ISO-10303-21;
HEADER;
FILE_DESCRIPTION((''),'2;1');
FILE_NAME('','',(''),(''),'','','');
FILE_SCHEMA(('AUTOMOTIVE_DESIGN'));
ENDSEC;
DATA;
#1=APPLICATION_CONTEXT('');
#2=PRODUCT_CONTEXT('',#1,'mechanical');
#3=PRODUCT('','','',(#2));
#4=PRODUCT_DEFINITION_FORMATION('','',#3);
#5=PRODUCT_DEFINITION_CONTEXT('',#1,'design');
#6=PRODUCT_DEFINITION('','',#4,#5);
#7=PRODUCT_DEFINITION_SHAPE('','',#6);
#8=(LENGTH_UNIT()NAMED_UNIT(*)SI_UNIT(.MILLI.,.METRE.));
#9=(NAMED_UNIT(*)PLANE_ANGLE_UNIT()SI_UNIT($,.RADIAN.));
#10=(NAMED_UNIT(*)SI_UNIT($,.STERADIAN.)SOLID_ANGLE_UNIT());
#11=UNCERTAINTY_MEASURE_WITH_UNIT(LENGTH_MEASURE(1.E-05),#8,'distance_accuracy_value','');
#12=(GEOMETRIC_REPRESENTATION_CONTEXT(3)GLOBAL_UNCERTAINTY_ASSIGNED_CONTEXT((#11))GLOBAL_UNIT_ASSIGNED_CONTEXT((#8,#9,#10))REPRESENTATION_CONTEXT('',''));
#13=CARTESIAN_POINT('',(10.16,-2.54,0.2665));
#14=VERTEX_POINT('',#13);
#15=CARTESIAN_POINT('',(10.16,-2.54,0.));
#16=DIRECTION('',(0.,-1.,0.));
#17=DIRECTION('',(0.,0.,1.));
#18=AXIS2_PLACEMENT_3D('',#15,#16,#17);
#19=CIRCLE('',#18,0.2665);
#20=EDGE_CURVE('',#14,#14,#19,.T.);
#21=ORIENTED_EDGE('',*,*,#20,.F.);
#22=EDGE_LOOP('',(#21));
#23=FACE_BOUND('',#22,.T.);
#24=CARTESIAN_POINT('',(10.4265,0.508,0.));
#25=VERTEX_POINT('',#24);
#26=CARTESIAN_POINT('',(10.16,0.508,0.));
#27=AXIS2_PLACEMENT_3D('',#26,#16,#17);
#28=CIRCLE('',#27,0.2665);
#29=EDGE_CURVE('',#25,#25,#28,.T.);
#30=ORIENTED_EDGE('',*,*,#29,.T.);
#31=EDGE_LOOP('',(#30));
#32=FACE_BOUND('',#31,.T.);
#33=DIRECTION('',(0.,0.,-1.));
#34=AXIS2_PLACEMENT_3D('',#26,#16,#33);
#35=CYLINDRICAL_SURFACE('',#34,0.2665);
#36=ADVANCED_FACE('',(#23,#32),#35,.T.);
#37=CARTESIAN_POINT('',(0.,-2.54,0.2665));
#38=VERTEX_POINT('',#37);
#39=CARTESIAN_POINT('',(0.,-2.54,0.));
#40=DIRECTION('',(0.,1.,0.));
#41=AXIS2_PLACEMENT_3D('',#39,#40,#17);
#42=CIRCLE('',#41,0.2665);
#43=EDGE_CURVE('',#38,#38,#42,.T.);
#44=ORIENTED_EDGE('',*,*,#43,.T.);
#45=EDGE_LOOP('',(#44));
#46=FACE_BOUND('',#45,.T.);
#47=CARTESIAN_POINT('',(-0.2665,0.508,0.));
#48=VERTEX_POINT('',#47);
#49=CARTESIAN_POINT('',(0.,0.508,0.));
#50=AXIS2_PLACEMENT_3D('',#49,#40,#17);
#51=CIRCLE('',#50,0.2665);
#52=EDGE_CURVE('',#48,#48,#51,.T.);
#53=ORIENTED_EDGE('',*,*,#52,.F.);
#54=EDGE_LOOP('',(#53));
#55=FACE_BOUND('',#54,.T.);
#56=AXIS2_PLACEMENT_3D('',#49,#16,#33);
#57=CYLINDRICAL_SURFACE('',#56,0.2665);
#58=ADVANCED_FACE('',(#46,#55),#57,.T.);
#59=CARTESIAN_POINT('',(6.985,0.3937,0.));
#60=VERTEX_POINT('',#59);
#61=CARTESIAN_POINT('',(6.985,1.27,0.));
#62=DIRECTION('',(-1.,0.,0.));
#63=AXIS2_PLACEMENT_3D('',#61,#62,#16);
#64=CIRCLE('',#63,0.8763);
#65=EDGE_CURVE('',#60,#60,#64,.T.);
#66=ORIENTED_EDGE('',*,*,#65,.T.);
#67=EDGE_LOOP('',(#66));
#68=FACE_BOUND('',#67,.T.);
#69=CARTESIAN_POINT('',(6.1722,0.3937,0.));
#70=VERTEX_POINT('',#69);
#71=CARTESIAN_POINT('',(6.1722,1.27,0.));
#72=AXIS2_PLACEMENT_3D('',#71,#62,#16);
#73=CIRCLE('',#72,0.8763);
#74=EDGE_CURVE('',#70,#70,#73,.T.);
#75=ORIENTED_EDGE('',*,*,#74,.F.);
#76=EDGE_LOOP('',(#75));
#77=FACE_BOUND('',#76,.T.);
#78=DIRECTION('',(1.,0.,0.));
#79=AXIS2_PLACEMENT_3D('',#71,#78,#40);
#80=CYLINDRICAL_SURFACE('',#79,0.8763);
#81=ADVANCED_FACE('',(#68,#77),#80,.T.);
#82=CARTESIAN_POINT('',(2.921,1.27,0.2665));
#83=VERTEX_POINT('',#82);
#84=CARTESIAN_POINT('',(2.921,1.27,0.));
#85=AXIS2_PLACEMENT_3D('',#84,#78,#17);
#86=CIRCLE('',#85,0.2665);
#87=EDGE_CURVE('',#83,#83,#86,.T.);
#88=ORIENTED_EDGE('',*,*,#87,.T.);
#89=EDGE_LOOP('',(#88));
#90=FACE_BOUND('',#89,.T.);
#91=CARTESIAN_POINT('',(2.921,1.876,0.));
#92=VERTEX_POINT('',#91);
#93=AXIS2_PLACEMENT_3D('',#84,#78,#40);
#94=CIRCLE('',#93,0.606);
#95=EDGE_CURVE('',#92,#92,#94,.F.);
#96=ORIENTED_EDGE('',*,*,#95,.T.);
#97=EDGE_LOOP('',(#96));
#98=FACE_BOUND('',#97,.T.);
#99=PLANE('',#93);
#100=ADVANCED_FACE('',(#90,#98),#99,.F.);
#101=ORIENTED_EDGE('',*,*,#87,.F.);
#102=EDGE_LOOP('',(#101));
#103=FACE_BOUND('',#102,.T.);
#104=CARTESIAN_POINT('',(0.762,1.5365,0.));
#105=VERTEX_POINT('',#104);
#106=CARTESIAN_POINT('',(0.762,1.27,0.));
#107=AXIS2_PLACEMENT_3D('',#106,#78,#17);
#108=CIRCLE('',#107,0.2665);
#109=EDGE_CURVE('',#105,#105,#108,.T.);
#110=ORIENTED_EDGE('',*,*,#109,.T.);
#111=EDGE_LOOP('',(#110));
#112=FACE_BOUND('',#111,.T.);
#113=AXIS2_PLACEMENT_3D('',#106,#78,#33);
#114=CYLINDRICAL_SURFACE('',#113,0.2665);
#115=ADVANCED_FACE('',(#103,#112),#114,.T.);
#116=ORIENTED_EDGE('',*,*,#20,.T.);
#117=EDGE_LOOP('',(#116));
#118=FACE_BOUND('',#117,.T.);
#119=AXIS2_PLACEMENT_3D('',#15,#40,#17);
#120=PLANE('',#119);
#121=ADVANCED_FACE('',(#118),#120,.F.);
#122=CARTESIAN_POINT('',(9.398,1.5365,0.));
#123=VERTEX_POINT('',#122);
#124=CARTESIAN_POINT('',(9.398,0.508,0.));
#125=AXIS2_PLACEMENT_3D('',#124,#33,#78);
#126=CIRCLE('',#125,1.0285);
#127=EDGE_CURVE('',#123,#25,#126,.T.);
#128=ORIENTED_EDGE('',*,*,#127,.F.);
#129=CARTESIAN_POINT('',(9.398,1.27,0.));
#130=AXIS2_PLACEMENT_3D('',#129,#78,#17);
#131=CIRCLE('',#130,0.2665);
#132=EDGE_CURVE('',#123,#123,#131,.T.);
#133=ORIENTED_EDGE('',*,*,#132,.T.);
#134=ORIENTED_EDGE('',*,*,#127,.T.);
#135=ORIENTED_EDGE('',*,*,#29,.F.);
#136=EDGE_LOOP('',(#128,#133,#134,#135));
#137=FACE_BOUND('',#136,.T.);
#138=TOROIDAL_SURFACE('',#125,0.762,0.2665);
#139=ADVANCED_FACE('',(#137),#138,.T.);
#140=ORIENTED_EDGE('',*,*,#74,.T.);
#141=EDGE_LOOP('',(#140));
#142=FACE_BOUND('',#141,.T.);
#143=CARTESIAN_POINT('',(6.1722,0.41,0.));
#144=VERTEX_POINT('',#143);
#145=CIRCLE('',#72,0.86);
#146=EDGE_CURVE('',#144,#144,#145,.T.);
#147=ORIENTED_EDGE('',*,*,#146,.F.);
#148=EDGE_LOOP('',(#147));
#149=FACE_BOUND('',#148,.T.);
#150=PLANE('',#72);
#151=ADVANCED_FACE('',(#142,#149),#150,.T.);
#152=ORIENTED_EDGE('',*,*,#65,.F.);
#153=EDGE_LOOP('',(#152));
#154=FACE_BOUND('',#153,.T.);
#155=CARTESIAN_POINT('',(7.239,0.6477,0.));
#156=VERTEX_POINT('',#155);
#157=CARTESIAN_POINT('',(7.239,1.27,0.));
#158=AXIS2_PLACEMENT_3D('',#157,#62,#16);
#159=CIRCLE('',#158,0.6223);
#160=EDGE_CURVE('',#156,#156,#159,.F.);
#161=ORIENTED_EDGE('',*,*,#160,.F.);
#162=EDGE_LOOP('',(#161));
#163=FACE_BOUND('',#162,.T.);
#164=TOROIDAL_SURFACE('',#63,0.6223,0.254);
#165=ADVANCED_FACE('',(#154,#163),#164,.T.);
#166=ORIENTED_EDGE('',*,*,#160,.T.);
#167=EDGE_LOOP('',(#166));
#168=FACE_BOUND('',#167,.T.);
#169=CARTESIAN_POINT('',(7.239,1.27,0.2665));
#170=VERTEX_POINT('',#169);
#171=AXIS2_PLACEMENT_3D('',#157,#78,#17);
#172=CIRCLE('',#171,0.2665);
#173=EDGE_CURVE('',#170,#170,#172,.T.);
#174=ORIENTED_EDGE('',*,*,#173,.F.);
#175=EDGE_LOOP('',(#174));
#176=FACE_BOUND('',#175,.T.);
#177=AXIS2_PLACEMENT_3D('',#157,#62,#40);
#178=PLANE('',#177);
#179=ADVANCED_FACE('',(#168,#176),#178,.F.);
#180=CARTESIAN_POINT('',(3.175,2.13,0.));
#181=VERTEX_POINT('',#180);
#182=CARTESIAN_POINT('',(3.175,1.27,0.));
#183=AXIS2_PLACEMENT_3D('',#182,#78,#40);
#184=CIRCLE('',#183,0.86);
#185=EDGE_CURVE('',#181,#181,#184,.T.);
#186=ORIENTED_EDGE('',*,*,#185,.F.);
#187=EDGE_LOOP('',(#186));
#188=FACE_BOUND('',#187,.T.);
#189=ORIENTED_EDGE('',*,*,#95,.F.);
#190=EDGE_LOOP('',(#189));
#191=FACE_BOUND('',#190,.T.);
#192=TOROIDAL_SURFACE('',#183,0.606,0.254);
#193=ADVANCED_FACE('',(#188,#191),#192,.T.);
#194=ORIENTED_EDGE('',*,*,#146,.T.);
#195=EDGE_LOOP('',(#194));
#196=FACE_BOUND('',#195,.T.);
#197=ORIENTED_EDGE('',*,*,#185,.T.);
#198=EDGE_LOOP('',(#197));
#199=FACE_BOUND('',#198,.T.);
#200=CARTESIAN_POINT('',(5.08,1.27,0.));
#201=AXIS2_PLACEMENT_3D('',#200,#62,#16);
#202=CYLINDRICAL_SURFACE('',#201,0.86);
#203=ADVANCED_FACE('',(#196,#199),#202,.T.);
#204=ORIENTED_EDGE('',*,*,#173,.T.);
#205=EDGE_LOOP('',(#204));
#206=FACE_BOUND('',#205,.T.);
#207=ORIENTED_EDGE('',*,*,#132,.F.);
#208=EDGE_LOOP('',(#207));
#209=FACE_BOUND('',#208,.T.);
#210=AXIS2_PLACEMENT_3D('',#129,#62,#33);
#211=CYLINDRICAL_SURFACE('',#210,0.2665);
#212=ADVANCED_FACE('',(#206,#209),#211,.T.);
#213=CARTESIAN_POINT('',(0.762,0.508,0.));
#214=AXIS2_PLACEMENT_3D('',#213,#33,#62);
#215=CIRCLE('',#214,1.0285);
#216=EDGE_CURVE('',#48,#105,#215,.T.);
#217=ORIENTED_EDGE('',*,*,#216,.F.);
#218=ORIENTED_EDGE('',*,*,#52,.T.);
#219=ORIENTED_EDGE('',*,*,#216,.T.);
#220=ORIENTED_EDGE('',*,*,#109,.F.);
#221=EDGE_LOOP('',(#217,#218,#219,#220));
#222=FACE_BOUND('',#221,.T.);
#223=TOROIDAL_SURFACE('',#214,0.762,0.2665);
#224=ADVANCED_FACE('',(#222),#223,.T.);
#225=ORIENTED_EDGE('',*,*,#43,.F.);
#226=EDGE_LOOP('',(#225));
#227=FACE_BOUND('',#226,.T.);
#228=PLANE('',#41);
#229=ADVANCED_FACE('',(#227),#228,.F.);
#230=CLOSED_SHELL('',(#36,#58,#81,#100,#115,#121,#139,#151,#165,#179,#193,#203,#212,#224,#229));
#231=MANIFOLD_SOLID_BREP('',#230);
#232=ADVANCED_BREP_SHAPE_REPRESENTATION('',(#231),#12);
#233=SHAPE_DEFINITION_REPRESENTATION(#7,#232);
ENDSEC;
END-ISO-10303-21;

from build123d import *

# Parameters (mm, degrees)
SKETCH3_R           = 0.2665
SKETCH4_R           = 0.86
BOSS_EXTRUDE1_DEPTH = 2.159
SKETCH5_R           = 0.8763
BOSS_EXTRUDE2_DEPTH = 1.0668
FILLET2_R           = 0.254


with BuildPart() as part:
    # Base-Sweep: sweep along a path in Sketch2
    with BuildLine(Plane.XY) as base_sweep_path:
        Line((0, -2.54), (0, 0.508))
        ThreePointArc((0, 0.508), (0.223184633, 1.046815367), (0.762, 1.27))
        Line((0.762, 1.27), (2.921, 1.27))
    # Sketch3 → Base-Sweep (sweep)
    with BuildSketch(Plane(origin=(0, -2.54, 0), x_dir=(-1, 0, 0), z_dir=(0, 1, 0))):
        Circle(SKETCH3_R)
    sweep(path=base_sweep_path.line)

    # Sketch4 → Boss-Extrude1 (add)
    with BuildSketch(Plane(origin=(2.921, 0, 0), x_dir=(0, 0, -1), z_dir=(1, 0, 0))):
        with Locations(Location((0, 1.27, 0), (0, 0, 90))):  # turned: the seam where the file's is
            Circle(SKETCH4_R)
    extrude(amount=BOSS_EXTRUDE1_DEPTH)

    # Boss-Mirror1: part across plane


with BuildPart() as part_1:
    add(part.part)
    add(part.part.mirror(Plane(origin=(5.08, 1.27, 0), x_dir=(0, 0, 1), z_dir=(1, 0, 0))))

    # Sketch5 → Boss-Extrude2 (add)
    with BuildSketch(Plane.ZY.offset(-7.239)):
        with Locations(Location((0, 1.27, 0), (0, 0, 270))):  # turned: the seam where the file's is
            Circle(SKETCH5_R)
    extrude(amount=BOSS_EXTRUDE2_DEPTH)

    # Fillet2
    fillet2_edges = [part_1.edges().sort_by_distance(p)[0] for p in [
        (7.239, 2.1463, 0),
        (2.921, 0.41, 0),
    ]]
    fillet(fillet2_edges, radius=FILLET2_R)


solid = part_1.part
